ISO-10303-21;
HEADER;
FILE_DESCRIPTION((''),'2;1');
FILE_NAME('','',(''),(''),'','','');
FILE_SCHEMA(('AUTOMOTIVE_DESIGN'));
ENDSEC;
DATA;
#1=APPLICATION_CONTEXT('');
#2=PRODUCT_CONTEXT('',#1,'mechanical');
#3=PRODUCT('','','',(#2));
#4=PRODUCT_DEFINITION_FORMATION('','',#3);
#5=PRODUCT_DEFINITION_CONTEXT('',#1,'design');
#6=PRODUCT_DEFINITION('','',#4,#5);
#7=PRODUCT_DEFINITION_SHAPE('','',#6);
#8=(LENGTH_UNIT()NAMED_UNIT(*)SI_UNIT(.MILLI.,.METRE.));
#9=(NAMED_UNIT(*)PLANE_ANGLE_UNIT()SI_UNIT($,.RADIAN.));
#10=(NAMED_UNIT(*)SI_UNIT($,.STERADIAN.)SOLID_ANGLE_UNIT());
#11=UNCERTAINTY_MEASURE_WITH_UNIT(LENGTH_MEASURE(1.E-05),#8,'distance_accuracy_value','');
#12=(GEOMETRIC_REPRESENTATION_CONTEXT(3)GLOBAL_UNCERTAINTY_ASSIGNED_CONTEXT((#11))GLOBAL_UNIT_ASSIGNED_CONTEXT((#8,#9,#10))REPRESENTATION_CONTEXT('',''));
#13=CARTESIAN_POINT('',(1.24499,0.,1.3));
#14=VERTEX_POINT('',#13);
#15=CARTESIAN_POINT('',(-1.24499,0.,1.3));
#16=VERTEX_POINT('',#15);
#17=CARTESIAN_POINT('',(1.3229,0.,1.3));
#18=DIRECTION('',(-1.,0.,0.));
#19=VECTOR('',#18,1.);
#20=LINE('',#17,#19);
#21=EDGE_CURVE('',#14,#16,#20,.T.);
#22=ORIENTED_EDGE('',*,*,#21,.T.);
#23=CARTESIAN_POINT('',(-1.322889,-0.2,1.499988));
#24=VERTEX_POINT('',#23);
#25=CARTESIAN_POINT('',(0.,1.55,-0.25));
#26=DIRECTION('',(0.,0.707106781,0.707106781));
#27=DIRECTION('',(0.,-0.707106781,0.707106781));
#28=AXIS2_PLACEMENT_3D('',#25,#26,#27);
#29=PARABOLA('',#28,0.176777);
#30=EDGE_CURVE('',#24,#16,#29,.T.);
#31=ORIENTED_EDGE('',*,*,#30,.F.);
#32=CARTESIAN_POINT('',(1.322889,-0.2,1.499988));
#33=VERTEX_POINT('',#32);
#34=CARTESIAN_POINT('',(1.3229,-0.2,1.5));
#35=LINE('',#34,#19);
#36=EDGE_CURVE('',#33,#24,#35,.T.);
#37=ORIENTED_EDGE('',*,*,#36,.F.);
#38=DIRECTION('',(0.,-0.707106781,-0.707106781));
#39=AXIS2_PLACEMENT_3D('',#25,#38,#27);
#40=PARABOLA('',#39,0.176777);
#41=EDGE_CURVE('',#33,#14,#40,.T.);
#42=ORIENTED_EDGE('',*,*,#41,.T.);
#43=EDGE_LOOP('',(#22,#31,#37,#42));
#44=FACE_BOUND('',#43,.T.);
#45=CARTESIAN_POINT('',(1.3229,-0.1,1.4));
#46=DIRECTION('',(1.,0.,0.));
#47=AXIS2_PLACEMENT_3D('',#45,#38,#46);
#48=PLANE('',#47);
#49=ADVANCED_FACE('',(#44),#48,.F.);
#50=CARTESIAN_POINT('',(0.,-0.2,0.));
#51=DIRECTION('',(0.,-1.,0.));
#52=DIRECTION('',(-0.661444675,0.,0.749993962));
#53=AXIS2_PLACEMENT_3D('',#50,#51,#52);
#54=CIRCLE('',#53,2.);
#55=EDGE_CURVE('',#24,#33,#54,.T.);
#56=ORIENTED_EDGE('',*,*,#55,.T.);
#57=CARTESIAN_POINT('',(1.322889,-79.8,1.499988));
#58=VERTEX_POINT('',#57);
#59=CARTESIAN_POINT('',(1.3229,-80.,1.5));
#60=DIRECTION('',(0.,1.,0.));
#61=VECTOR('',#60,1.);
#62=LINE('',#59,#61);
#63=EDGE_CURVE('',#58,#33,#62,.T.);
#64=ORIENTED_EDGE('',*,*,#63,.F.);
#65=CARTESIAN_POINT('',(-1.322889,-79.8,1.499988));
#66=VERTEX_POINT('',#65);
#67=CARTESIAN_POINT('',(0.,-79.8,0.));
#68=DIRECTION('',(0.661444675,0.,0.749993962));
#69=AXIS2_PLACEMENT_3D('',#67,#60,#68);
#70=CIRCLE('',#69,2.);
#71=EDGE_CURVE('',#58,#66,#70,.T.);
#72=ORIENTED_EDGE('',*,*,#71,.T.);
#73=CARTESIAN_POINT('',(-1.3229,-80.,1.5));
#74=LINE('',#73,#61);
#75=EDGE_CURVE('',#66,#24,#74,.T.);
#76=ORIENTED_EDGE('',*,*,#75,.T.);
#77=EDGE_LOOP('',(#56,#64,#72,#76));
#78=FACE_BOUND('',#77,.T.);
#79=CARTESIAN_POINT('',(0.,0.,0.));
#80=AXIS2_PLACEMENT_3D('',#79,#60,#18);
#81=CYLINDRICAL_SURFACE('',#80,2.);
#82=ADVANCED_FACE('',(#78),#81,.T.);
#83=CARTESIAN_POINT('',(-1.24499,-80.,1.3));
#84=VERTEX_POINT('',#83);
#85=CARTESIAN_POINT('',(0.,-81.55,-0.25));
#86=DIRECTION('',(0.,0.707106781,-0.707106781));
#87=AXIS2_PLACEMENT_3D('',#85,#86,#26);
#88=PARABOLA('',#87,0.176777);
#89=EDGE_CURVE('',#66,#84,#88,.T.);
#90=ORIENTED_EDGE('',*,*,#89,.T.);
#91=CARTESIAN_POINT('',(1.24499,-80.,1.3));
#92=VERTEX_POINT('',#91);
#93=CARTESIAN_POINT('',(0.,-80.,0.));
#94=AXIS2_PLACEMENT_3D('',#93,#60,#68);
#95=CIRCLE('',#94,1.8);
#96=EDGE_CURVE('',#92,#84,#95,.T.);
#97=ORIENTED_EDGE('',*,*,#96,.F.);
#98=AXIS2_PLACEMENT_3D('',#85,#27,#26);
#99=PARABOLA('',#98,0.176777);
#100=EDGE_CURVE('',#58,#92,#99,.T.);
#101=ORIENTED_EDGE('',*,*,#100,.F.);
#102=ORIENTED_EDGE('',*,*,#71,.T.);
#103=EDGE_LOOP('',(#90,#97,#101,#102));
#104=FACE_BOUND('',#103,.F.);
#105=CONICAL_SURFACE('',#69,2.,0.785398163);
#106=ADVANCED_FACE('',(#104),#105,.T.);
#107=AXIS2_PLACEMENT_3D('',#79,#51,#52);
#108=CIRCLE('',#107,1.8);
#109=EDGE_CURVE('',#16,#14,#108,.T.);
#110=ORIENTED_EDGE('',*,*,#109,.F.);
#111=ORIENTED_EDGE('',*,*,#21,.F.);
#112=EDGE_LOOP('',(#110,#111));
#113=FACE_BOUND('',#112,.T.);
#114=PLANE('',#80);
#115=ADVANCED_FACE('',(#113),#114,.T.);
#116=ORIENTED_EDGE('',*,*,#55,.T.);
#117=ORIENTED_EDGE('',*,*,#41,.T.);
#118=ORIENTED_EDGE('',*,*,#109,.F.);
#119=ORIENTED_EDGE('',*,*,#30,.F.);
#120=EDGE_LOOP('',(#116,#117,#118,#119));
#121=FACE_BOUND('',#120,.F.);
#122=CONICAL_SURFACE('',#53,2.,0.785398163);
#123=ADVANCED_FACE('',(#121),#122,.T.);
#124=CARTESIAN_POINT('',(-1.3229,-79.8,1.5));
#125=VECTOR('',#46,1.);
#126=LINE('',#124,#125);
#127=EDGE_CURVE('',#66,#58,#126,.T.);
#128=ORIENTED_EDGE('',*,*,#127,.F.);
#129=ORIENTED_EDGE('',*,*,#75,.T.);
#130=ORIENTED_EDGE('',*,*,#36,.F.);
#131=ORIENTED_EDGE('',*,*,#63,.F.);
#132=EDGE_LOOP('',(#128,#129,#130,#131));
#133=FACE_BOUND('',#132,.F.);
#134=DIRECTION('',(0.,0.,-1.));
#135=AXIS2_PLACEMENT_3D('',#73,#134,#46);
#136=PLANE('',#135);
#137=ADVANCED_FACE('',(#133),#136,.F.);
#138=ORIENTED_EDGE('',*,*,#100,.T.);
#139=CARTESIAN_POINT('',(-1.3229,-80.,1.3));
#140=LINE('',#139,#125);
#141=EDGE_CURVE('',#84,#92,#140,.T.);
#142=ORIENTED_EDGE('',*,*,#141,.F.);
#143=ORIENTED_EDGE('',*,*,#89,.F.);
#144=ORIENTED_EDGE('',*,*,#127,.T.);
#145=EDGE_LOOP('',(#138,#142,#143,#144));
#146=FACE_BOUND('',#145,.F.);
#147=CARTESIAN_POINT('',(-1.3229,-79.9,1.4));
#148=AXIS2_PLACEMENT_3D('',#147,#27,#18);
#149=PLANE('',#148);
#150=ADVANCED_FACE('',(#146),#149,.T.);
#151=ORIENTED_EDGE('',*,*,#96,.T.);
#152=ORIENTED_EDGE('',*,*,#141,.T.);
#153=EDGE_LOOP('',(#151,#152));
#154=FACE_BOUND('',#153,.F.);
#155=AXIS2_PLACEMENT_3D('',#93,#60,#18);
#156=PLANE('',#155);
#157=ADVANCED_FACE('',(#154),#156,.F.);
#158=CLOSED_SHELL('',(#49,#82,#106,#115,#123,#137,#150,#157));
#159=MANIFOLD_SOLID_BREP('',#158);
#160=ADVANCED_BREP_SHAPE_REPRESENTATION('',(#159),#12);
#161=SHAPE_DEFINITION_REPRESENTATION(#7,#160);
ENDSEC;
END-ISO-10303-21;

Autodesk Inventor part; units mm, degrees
ref_plane "YZ Plane" through (0, 0, 0) normal (1, 0, 0) x (0, 1, 0)
ref_plane "XZ Plane" through (0, 0, 0) normal (0, 1, 0) x (-1, 0, 0)
ref_plane "XY Plane" through (0, 0, 0) normal (0, 0, 1) x (1, 0, 0)
sketch "Sketch1" plane through (0, 0, 0) normal (0, 1, 0) x (-1, 0, 0)
  circle A0 centre (0, 0) radius 2
  dimension "d0" = 4
extrude "Extrusion1" add sketch "Sketch1" against normal blind 80
sketch "Sketch2" plane through (0, -80, 0) normal (0, -1, 0) x (1, 0, 0)
  circle A0 centre (0, 0) radius 2 projected
  line L0 (-1.3229, 1.5) -> (1.3229, 1.5)
  circle A1 centre (0, 0) radius 2 projected
  dimension "d3" = 0.5
extrude "Extrusion2" cut sketch "Sketch2" against normal through all contours L0 A0 picked at (-0.3089, 1.5908)
chamfer "Chamfer1" distance 0.2 angle 45 4 edges at (0, -80, -2) (0, -80, 1.5) (0, 0, -2) (0, 0, 1.5)
properties part number "10-0080" material "Aluminum 6061"
